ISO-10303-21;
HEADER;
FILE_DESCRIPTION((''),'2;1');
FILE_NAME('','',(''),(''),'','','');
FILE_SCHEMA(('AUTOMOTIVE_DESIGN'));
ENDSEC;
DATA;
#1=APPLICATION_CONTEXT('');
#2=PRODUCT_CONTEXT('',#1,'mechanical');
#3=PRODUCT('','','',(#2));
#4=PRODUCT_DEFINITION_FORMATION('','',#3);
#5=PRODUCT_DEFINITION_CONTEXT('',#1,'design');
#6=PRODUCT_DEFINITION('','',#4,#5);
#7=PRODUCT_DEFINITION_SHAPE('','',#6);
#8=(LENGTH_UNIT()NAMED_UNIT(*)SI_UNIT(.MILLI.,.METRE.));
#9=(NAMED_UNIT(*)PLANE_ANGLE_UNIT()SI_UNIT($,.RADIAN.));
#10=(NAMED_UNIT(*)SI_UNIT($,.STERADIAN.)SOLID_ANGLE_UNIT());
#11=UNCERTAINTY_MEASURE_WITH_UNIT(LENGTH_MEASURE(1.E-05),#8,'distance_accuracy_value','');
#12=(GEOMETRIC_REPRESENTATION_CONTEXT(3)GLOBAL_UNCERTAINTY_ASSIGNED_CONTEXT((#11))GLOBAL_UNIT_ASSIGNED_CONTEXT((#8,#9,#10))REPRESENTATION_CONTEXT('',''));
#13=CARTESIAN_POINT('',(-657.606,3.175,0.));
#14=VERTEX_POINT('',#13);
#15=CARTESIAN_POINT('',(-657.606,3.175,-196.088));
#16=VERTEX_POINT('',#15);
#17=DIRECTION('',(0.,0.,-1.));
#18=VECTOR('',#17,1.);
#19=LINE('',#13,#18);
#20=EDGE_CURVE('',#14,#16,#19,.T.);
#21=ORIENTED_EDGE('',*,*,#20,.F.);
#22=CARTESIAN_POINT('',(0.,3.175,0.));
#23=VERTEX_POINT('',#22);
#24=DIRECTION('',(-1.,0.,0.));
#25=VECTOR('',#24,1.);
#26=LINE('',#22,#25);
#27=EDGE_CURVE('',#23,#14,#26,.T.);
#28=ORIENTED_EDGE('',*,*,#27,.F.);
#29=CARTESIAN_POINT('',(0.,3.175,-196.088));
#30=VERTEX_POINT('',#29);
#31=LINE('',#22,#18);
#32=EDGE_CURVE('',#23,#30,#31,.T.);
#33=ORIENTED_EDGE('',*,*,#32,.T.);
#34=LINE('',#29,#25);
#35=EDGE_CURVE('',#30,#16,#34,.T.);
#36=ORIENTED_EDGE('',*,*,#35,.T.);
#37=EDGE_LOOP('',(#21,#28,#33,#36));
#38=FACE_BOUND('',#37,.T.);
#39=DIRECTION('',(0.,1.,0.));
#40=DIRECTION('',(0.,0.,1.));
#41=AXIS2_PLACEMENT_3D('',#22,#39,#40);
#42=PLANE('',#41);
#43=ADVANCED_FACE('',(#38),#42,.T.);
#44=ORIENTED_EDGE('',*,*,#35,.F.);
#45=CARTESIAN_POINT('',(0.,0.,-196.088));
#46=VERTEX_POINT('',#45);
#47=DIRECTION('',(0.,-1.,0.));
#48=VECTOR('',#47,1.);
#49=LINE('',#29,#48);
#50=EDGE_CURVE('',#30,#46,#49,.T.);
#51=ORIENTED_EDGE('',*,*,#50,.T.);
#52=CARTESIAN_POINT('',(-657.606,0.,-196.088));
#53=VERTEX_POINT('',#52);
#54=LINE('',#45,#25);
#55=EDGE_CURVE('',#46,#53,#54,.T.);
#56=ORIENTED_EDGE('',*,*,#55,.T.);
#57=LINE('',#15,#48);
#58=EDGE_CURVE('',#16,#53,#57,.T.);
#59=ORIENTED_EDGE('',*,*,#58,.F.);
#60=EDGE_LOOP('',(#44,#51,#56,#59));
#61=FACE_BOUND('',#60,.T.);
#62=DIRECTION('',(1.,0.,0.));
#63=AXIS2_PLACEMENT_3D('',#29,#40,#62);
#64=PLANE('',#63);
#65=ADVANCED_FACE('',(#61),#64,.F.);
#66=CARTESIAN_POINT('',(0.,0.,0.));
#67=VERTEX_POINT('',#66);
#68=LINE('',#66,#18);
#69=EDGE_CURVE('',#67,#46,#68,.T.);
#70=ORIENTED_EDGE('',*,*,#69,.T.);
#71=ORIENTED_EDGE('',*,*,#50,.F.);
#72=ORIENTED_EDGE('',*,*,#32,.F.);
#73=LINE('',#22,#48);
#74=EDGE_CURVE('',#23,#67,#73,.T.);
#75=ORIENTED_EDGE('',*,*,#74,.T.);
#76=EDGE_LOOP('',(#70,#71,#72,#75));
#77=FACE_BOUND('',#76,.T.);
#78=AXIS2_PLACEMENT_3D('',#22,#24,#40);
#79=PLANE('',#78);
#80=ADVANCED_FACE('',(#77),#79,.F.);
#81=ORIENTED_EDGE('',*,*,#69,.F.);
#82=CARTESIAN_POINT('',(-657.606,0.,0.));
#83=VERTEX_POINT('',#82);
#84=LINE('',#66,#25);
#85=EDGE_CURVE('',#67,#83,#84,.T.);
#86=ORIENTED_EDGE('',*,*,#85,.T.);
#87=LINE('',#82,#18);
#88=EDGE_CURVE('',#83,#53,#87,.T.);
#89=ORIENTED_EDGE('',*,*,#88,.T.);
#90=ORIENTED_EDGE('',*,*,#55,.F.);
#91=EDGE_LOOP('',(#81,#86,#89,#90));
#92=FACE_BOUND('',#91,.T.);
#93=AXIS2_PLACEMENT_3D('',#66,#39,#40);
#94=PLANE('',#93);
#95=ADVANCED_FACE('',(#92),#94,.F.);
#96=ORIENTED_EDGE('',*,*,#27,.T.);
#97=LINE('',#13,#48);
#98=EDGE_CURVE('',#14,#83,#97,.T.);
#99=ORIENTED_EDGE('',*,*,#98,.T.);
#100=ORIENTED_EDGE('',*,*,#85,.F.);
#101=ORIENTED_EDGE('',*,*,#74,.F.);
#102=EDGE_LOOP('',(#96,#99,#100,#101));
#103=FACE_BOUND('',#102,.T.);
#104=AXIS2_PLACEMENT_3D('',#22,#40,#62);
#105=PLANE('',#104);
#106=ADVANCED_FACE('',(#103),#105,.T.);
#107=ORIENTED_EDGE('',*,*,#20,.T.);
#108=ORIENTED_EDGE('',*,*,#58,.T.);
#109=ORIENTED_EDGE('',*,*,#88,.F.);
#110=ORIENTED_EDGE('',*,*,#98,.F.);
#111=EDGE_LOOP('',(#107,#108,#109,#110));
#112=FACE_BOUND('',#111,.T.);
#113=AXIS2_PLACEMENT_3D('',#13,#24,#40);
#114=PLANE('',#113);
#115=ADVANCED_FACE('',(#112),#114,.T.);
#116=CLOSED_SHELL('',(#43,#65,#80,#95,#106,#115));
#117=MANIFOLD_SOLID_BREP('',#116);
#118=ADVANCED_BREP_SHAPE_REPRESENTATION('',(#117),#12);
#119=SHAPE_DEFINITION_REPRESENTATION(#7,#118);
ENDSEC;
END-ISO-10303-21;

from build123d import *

# Parameters (mm, degrees)
BOSS_EXTRUDE4_DEPTH = 3.175


with BuildPart() as part:
    # Sketch1 → Boss-Extrude4 (new body)
    with BuildSketch(Plane(origin=(0, 0, 0), x_dir=(1, 0, 0), z_dir=(0, 1, 0))):
        Polygon((-657.606, 0), (0, 0), (0, 196.088), (-652.272, 196.088), (-657.606, 196.088), align=None)
    extrude(amount=BOSS_EXTRUDE4_DEPTH)


solid = part.part
